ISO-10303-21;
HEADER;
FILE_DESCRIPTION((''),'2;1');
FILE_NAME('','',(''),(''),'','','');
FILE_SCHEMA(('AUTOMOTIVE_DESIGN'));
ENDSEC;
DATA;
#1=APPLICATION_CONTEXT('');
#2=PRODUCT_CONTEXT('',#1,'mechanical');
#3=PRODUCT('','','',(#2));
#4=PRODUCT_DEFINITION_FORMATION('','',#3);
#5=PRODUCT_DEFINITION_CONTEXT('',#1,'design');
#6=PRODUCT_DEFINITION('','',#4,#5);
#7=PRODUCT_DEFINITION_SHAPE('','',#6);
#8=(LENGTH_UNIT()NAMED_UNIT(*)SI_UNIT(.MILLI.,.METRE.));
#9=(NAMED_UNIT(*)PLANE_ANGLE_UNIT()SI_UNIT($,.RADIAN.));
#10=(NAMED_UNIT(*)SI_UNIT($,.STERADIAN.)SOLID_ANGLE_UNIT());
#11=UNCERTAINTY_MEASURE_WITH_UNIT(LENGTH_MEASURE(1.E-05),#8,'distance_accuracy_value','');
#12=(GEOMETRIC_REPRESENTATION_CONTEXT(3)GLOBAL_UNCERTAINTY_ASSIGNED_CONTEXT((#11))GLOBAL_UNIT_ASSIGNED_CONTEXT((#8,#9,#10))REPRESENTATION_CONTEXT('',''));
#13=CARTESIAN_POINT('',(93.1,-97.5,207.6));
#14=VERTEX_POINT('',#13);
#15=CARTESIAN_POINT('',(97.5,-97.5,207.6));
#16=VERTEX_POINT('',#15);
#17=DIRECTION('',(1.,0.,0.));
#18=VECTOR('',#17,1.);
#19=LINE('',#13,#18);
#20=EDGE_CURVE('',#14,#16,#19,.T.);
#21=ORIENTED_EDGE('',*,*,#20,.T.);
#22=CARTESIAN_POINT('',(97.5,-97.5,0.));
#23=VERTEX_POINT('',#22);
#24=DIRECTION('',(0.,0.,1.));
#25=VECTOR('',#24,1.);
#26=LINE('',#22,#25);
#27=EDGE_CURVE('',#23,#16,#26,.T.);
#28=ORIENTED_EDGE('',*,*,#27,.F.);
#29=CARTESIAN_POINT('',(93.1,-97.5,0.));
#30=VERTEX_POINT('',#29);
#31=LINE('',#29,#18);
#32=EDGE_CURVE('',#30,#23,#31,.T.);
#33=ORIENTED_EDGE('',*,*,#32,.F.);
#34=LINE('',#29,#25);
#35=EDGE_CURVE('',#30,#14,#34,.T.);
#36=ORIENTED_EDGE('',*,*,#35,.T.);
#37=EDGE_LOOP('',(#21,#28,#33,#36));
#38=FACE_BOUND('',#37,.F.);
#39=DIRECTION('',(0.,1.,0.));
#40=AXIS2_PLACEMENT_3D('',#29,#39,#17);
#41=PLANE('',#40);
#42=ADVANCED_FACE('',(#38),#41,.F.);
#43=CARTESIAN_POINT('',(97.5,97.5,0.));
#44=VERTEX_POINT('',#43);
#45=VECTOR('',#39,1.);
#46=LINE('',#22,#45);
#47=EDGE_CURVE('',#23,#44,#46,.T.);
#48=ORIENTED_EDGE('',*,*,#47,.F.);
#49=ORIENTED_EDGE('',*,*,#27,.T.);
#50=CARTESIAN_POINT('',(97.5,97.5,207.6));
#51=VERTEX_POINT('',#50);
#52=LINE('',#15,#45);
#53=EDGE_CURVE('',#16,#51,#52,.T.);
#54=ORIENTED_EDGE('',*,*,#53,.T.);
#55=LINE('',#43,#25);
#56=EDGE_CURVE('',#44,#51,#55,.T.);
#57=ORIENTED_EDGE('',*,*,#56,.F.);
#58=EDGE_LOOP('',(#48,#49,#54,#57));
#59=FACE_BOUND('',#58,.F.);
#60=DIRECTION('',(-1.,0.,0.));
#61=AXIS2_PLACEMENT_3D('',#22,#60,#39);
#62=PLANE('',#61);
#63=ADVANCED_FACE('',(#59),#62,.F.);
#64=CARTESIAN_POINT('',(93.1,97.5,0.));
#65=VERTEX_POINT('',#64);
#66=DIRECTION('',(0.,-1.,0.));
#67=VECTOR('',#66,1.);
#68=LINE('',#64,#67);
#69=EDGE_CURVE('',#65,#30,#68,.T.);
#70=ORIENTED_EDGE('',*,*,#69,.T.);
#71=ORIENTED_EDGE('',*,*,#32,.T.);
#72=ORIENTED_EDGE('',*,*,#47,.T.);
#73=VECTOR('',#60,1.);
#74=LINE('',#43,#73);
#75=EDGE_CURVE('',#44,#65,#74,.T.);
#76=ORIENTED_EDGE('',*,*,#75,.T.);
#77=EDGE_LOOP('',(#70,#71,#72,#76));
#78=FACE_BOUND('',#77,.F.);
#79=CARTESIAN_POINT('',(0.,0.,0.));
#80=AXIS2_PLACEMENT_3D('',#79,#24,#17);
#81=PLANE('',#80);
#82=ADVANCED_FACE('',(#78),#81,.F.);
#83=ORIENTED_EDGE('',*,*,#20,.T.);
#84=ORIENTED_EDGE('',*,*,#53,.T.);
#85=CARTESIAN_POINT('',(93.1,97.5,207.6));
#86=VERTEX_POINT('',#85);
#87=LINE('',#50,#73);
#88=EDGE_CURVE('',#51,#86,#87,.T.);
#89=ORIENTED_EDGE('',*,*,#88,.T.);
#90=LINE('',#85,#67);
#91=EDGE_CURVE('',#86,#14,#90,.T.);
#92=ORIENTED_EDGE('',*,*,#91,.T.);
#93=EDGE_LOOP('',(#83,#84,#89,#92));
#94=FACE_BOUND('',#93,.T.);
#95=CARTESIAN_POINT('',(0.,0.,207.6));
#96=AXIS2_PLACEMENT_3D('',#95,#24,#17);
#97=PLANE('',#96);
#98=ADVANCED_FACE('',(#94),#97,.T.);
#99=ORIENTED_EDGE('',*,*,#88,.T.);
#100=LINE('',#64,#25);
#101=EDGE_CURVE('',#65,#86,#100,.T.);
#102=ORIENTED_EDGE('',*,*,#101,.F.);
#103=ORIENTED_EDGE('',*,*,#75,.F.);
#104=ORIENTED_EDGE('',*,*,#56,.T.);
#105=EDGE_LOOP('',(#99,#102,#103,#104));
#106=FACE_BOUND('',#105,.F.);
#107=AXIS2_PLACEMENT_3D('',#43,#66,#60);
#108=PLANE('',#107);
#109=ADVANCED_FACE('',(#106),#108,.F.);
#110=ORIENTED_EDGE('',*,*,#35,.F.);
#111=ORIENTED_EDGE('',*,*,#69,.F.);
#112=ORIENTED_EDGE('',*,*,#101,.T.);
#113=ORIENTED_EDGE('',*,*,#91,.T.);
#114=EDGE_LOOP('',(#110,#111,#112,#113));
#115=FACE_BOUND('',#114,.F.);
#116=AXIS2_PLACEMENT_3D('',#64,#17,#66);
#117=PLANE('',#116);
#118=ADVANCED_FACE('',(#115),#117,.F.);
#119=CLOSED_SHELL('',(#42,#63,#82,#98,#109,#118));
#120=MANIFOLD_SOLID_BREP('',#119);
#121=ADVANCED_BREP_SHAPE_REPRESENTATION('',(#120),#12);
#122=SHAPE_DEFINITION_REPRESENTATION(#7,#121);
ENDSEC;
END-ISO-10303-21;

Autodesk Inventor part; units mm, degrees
ref_plane "YZ Plane" through (0, 0, 0) normal (1, 0, 0) x (0, 1, 0)
ref_plane "XZ Plane" through (0, 0, 0) normal (0, 1, 0) x (-1, 0, 0)
ref_plane "Plano de trabajo1" through (0, 0, 0) normal (0, 0, 1) x (1, 0, 0)
sketch "Boceto1" plane through (0, 0, 0) normal (0, 0, 1) x (1, 0, 0)
  line L0 (97.5, -97.5) -> (97.5, 97.5) construction
  line L1 (93.1, -97.5) -> (97.5, -97.5)
  line L2 (97.5, -97.5) -> (97.5, 97.5)
  line L3 (97.5, 97.5) -> (93.1, 97.5)
  line L4 (93.1, 97.5) -> (93.1, -97.5)
  point P0 (0, 0)
  dimension "d0" = 195
  dimension "d1" = 4.4
extrude "Extrusión1" add sketch "Boceto1" along normal blind 207.6
properties part number "AcrilicoX"
